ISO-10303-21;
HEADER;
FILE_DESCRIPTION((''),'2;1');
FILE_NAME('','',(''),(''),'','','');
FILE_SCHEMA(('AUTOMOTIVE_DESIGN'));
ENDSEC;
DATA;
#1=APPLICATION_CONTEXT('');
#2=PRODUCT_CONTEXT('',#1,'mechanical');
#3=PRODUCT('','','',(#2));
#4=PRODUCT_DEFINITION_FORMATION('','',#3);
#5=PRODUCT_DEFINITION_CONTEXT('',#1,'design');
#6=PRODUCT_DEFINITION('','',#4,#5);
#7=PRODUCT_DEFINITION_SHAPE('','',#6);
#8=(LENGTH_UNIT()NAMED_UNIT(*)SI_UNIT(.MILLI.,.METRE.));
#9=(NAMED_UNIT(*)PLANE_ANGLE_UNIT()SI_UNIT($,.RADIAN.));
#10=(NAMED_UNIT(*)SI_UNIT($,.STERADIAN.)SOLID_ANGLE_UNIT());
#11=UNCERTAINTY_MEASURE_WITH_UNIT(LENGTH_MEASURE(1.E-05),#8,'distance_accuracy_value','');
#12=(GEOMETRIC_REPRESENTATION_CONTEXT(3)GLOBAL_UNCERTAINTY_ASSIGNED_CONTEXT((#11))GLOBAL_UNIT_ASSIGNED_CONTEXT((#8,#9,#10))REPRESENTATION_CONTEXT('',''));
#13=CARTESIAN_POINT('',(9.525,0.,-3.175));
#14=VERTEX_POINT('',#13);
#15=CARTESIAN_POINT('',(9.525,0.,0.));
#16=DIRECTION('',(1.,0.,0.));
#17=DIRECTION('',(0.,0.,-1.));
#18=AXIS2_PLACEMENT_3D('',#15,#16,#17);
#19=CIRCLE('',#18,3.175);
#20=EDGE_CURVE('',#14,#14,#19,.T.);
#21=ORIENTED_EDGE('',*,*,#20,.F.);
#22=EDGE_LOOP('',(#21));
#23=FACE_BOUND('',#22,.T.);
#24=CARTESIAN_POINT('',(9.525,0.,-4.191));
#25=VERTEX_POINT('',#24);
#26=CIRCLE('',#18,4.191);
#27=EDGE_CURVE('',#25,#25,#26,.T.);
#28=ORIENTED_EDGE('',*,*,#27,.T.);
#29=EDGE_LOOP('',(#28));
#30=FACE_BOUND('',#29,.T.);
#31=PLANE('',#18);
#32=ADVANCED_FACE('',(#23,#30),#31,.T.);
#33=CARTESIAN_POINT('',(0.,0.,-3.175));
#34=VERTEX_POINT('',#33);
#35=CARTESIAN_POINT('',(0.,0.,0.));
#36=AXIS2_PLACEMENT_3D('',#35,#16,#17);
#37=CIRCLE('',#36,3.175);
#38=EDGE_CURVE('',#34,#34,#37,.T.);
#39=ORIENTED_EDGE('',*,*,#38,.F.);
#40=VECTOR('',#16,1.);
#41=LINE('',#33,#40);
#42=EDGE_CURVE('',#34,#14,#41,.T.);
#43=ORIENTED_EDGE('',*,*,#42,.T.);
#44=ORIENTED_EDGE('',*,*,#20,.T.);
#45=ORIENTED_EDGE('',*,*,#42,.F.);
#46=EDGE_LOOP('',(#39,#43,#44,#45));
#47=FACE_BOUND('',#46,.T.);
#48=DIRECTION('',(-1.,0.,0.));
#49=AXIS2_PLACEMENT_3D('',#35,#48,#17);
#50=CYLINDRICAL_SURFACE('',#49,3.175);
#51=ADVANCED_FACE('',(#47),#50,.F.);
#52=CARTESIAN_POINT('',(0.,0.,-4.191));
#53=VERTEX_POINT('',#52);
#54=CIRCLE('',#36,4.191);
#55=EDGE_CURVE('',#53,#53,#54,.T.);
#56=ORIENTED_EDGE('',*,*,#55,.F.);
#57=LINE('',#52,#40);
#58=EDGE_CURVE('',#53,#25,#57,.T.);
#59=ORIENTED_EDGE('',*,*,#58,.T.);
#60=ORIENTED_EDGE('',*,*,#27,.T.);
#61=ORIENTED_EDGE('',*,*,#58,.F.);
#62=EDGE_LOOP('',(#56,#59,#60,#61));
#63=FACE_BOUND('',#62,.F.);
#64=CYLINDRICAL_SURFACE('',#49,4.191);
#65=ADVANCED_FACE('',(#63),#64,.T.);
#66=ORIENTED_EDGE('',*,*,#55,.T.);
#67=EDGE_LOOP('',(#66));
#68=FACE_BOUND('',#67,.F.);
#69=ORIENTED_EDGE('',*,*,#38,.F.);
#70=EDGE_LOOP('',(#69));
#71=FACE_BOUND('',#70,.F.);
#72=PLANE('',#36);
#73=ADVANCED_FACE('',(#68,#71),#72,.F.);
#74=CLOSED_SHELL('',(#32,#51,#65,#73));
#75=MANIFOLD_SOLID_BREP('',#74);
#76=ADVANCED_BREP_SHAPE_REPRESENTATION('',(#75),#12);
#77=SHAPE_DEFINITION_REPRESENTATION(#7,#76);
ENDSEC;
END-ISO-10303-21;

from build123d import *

# Parameters (mm, degrees)
SKETCH1_R           = 4.191
SKETCH1_R_2         = 3.175
BOSS_EXTRUDE1_DEPTH = 9.525


with BuildPart() as part:
    # Sketch1 → Boss-Extrude1 (new body)
    with BuildSketch(Plane(origin=(0, 0, 0), x_dir=(0, 0, -1), z_dir=(1, 0, 0))):
        Circle(SKETCH1_R)
        Circle(SKETCH1_R_2, mode=Mode.SUBTRACT)
    extrude(amount=BOSS_EXTRUDE1_DEPTH)


solid = part.part
